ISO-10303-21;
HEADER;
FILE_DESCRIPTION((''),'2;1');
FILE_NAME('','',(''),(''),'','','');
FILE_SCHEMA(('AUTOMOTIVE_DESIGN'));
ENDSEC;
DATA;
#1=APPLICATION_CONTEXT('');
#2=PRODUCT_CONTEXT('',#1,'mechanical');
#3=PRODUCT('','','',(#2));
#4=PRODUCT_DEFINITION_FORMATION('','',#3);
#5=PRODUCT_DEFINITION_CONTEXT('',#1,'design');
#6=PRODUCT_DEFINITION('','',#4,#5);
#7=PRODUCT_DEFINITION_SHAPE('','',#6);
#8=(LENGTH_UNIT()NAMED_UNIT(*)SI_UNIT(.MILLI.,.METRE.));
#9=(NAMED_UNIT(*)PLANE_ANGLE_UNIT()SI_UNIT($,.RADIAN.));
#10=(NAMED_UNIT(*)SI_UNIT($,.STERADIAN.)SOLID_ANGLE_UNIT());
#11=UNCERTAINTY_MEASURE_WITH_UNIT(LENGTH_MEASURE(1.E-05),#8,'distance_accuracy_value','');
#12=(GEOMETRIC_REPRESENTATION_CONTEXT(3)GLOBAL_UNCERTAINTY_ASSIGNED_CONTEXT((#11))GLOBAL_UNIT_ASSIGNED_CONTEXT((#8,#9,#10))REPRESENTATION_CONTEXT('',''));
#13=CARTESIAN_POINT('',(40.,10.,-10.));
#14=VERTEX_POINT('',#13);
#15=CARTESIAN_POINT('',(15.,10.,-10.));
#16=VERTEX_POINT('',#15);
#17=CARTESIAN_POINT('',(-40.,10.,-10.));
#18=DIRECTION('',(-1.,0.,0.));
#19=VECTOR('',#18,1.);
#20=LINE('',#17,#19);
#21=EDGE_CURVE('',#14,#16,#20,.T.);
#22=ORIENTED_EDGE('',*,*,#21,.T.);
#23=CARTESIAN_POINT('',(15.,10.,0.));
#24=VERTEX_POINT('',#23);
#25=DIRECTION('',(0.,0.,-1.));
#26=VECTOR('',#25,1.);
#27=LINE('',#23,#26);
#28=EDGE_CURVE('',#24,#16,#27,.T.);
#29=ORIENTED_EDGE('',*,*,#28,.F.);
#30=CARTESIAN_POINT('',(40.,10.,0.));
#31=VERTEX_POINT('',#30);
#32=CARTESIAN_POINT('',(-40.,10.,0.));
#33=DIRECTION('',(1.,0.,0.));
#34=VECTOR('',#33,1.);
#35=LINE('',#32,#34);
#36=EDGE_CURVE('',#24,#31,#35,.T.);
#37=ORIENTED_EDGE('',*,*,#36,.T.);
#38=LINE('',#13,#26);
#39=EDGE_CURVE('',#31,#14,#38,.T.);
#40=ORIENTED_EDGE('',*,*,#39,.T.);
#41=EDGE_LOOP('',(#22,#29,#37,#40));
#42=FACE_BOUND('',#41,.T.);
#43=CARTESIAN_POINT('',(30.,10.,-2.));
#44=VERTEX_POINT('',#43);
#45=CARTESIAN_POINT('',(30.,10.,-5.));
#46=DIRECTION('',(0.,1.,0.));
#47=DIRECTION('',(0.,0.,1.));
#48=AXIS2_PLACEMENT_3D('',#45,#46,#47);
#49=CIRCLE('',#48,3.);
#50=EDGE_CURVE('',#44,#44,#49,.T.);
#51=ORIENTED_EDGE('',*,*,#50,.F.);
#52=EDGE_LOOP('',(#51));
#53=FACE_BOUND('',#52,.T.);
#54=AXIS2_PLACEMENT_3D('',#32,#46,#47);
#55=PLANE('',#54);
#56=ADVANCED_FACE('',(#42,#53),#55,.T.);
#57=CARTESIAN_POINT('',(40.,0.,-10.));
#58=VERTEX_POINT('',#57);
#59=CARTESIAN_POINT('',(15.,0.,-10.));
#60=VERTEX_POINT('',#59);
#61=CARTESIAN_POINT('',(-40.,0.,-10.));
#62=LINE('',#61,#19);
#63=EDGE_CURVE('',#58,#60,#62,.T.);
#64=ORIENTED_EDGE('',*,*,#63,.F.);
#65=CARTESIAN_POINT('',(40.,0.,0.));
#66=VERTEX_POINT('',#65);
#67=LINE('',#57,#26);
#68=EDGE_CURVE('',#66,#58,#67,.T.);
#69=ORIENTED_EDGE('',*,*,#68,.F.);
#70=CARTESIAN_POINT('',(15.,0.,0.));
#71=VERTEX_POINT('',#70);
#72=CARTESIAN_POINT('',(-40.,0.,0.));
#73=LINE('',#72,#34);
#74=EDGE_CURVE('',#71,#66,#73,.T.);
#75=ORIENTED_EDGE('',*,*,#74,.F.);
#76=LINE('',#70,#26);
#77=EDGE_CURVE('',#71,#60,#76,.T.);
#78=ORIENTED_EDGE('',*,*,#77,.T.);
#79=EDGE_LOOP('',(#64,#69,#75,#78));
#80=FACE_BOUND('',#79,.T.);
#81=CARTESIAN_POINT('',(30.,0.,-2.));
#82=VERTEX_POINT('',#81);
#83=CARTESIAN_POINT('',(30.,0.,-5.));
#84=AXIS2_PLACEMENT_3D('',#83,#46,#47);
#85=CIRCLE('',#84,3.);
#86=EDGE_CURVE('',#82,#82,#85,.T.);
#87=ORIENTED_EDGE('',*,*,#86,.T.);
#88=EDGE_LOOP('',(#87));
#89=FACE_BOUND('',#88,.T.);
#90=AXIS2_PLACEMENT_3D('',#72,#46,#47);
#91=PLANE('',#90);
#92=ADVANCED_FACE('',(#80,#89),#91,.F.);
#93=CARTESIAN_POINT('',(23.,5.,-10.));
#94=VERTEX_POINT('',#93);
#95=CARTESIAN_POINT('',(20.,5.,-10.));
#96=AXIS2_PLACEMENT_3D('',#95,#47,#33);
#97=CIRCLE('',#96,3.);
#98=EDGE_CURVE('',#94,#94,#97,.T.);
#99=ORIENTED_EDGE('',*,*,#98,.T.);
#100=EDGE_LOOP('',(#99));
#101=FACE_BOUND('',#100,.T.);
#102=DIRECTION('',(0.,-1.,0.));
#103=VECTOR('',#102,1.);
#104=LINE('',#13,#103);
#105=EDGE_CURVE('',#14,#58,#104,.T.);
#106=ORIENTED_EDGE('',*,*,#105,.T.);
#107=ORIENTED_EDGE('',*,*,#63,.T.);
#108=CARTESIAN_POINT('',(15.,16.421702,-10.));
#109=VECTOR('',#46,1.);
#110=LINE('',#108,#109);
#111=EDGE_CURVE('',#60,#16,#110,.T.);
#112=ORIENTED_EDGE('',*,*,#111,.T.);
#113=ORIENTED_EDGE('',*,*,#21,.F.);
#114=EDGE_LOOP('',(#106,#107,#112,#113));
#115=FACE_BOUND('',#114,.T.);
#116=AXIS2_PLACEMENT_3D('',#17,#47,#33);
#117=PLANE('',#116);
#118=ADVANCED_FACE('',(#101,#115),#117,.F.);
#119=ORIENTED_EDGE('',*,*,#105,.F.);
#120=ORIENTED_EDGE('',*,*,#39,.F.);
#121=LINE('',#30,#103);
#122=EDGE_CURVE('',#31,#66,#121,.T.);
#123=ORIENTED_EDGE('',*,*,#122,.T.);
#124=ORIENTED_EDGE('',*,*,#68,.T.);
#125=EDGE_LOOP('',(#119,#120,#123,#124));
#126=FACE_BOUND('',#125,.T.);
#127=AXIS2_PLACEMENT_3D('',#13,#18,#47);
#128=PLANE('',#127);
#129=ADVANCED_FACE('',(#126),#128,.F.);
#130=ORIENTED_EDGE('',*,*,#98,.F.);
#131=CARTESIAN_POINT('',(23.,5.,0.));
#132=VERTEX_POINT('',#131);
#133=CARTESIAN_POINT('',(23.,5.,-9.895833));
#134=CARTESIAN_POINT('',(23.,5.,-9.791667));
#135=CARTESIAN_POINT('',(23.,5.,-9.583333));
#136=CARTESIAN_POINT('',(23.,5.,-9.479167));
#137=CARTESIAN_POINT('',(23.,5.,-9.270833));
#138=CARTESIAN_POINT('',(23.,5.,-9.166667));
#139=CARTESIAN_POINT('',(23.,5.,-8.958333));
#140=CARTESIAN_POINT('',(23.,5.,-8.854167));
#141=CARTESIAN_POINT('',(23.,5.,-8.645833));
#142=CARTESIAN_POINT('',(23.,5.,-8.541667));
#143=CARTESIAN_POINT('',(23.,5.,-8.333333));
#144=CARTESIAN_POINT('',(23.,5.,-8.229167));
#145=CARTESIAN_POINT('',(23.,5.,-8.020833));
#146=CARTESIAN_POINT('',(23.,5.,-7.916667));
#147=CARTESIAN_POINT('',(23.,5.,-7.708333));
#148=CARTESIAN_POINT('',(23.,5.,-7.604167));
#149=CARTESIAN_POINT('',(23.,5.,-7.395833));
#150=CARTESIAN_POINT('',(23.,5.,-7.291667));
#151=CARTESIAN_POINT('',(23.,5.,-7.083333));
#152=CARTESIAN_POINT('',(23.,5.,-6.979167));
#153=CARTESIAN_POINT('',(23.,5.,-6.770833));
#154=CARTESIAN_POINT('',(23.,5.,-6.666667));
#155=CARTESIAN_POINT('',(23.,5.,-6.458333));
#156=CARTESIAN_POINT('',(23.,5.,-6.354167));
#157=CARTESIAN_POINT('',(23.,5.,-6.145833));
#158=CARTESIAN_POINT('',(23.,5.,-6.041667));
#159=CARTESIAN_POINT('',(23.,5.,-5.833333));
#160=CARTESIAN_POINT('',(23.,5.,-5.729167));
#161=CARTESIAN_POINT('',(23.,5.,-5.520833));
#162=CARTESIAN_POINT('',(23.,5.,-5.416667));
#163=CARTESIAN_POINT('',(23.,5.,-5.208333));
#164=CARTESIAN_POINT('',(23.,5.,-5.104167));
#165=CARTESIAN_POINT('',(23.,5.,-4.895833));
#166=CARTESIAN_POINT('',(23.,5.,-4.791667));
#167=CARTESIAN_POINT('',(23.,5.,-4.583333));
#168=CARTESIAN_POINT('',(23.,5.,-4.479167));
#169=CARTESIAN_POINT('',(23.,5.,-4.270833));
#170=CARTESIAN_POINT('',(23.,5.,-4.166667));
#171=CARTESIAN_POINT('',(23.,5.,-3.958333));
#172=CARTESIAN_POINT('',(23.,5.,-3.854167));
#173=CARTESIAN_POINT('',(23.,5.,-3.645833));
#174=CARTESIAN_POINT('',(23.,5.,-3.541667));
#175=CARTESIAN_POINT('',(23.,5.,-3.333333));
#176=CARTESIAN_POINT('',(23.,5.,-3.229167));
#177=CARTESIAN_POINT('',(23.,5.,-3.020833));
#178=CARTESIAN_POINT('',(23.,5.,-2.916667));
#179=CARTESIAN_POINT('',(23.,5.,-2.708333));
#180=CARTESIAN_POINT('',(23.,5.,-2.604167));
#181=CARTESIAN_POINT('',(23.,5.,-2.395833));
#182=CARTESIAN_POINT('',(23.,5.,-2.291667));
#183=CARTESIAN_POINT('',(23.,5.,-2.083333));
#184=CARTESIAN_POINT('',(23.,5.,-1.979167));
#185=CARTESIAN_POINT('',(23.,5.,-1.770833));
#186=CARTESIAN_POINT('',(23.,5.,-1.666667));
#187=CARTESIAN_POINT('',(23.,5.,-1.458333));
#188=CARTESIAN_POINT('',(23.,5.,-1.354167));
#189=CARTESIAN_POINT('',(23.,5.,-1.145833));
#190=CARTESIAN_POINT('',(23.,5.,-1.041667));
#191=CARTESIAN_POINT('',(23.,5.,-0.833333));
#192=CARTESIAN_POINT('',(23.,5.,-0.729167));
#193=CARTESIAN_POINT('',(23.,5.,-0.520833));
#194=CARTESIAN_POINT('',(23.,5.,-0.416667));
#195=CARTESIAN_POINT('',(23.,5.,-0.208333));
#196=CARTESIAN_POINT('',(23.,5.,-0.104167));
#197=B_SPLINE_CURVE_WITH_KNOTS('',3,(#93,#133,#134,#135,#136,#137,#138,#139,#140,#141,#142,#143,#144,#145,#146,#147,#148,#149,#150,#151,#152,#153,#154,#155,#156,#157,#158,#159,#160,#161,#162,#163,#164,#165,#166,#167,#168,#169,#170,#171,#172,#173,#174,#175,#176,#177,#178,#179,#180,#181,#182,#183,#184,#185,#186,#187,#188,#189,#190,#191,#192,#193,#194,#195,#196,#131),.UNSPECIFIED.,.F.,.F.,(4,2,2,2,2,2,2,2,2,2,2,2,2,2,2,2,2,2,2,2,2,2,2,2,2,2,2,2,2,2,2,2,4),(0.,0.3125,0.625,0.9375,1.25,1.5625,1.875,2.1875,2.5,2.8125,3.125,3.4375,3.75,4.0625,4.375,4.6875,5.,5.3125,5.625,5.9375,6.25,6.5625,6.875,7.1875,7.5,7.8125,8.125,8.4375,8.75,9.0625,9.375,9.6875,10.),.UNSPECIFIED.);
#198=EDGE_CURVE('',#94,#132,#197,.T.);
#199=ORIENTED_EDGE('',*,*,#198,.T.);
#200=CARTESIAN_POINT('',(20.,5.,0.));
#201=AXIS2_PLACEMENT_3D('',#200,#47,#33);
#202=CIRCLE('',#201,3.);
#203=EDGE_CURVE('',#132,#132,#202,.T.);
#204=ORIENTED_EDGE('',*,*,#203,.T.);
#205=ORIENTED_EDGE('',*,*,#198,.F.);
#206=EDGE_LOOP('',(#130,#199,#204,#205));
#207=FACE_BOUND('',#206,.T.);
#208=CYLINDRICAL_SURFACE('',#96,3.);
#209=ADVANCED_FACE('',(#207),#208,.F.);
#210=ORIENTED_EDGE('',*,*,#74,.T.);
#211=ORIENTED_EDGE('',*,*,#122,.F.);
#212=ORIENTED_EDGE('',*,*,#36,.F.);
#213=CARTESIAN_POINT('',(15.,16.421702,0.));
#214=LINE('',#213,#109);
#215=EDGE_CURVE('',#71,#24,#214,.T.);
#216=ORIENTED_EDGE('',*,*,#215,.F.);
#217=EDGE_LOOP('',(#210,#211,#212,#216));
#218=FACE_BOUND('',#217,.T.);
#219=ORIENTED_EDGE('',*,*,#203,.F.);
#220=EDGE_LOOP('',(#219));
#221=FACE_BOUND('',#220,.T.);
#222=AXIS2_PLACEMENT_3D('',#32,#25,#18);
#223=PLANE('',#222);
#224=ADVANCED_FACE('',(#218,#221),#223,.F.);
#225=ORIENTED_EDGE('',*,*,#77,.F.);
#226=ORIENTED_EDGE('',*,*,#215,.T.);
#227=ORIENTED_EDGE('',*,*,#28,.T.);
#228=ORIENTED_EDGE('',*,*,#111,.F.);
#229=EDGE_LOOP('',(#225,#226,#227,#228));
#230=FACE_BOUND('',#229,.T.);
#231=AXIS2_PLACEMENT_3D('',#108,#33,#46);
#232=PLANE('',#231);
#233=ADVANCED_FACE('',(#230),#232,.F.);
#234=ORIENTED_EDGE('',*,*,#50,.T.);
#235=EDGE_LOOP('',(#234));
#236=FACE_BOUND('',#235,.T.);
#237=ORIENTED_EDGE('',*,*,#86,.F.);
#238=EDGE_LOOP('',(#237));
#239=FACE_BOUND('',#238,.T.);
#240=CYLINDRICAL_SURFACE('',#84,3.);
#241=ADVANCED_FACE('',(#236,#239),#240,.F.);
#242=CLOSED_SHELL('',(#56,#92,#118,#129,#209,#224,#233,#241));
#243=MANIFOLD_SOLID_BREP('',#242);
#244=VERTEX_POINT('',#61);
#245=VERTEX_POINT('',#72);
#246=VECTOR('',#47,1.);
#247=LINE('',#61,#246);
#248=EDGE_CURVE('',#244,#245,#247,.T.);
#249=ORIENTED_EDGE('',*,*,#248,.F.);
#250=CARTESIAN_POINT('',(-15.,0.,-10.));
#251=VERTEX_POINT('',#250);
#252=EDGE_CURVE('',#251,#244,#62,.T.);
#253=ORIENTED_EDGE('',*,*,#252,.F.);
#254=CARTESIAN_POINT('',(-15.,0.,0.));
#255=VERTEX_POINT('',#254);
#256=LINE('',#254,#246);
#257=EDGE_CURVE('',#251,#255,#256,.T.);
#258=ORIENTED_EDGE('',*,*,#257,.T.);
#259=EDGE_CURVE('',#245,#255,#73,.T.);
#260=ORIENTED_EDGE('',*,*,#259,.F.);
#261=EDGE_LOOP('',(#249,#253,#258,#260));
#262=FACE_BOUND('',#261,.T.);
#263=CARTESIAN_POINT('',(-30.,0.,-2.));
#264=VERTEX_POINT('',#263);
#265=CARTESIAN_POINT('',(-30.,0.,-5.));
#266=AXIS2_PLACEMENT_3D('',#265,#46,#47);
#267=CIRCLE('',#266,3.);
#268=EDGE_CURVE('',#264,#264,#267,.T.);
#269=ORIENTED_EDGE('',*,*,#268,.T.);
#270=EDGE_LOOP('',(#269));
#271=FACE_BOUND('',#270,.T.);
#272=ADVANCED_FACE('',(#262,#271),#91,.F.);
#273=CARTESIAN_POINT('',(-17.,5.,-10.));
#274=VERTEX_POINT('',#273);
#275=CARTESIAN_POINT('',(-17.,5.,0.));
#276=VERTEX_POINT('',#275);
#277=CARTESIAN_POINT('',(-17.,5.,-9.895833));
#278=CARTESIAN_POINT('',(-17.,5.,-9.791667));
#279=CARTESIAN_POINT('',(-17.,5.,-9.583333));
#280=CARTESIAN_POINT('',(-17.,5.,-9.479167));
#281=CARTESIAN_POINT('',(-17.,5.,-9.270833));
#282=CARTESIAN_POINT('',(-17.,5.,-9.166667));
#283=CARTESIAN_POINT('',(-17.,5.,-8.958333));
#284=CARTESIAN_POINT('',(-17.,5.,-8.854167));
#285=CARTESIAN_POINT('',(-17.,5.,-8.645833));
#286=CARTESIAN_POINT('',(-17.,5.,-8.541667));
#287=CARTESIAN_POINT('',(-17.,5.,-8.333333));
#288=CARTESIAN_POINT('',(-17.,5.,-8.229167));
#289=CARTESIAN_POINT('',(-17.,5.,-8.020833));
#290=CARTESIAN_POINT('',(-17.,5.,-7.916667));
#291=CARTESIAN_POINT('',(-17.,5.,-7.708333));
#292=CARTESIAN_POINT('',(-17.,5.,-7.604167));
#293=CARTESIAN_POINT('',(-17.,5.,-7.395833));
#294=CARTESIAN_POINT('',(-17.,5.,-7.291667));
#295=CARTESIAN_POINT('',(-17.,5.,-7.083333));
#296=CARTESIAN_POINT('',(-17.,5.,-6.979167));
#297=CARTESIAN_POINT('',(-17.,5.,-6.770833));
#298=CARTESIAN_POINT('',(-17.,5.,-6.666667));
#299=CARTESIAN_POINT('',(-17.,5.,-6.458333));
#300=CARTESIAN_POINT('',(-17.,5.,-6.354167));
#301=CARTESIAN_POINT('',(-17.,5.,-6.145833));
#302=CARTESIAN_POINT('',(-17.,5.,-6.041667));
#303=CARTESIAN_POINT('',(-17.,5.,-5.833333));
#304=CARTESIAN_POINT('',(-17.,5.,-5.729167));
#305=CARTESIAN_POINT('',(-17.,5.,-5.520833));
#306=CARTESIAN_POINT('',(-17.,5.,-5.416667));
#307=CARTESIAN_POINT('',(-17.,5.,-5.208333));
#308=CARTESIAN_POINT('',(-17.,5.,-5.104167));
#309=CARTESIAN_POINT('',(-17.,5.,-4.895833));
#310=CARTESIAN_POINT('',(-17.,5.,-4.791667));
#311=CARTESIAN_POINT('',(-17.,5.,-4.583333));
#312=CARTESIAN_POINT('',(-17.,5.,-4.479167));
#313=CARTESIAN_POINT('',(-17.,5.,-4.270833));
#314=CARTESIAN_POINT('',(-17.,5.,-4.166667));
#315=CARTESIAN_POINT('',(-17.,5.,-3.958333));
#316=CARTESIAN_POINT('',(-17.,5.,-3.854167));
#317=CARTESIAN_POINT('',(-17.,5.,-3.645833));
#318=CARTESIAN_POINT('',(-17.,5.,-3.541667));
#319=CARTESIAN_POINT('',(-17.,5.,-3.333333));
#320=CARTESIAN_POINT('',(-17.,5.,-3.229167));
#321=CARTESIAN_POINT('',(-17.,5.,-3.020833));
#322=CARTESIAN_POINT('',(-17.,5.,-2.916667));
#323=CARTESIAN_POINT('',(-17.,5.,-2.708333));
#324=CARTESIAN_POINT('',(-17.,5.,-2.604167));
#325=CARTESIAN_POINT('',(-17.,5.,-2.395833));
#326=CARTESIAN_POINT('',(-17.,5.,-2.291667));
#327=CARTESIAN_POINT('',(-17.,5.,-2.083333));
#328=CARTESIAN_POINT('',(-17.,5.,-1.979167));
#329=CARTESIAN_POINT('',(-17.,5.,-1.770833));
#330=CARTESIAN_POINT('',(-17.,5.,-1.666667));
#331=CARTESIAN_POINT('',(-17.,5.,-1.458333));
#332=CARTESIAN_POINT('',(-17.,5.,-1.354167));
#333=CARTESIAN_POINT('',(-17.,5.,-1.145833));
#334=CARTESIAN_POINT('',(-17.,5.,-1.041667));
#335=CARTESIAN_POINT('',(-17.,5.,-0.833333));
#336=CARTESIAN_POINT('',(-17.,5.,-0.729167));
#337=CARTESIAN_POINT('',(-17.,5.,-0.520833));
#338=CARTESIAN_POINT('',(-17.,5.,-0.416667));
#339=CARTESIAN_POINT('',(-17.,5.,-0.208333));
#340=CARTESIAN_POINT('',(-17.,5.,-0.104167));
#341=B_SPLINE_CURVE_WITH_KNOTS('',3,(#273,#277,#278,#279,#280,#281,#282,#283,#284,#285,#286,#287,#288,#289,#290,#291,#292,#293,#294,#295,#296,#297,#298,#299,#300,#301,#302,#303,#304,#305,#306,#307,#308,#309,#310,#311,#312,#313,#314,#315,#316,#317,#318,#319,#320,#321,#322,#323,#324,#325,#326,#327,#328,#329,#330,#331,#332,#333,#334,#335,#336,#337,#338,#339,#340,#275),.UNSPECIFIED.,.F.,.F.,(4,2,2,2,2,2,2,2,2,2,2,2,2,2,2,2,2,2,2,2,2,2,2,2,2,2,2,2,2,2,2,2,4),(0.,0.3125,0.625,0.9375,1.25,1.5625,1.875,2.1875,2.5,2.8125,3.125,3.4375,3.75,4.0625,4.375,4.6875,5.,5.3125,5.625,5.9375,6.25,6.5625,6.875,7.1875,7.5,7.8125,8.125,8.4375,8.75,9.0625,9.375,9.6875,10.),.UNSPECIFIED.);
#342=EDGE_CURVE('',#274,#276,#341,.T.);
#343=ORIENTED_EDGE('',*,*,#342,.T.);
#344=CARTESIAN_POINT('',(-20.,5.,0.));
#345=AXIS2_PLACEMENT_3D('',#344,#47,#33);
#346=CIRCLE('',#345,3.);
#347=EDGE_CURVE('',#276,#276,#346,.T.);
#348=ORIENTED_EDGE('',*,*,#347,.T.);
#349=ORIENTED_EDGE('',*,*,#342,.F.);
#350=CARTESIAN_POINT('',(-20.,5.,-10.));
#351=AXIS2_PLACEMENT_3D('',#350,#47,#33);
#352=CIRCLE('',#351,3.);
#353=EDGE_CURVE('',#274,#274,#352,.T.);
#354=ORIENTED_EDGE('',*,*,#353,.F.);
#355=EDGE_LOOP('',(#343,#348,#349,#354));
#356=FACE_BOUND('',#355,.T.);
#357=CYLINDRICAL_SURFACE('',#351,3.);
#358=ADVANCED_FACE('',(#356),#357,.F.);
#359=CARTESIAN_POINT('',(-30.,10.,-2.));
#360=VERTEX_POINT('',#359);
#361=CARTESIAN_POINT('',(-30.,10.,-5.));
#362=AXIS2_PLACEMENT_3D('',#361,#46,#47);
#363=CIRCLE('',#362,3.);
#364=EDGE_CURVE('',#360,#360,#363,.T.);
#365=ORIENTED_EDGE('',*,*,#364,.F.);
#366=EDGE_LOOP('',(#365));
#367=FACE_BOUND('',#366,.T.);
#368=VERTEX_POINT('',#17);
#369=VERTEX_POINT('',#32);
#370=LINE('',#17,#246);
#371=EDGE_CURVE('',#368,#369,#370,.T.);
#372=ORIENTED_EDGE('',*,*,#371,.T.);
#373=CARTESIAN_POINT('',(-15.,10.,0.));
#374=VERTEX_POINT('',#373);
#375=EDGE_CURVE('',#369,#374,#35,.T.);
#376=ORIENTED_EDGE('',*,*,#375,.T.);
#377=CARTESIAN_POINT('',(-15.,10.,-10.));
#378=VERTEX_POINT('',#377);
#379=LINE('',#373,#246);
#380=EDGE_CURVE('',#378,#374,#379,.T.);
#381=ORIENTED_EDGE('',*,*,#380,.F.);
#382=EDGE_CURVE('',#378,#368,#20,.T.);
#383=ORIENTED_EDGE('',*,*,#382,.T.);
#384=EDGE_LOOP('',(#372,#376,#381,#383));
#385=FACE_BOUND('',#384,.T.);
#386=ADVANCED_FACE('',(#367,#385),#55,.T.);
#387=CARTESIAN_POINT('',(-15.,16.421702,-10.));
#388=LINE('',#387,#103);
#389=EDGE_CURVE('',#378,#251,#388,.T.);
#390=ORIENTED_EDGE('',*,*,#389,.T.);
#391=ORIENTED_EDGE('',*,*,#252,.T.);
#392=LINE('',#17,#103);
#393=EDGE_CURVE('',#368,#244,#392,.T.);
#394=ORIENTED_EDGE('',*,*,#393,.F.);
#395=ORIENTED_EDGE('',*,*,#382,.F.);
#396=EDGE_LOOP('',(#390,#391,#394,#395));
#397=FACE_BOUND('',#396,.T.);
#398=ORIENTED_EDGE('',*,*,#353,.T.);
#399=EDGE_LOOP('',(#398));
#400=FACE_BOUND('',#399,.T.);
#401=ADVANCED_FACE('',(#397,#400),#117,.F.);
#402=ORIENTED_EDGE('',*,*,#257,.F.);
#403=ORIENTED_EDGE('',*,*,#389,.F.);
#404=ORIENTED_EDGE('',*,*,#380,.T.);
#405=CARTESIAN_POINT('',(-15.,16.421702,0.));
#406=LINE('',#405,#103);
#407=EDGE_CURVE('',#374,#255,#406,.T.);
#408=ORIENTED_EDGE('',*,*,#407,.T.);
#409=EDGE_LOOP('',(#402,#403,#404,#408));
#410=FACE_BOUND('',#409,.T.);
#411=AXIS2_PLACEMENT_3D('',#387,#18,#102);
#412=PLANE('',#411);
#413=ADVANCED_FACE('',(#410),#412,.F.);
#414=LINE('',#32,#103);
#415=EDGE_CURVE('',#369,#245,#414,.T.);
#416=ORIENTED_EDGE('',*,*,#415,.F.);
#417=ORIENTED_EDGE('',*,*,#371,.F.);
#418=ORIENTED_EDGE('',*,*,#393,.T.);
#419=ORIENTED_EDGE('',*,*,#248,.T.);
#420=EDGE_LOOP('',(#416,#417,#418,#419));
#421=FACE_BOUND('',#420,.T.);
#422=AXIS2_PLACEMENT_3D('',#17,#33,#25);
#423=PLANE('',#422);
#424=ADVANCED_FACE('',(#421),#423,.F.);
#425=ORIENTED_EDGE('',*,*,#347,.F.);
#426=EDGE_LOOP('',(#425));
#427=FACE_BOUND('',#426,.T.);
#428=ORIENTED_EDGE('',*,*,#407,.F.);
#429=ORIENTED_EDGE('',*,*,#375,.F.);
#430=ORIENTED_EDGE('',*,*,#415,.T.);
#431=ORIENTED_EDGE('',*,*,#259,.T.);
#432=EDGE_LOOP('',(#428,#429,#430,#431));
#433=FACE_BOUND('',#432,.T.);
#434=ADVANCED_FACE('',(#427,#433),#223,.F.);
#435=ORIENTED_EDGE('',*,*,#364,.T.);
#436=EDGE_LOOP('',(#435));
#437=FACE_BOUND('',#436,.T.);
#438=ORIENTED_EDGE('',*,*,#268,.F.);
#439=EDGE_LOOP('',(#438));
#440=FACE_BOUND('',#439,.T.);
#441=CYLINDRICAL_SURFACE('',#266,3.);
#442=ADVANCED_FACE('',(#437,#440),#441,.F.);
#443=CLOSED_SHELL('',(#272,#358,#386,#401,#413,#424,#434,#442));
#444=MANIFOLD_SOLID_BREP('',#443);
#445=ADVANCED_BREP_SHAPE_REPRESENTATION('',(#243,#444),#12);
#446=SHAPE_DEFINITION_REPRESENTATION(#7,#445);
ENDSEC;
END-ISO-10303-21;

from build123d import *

# Parameters (mm, degrees)
ESQUISSE1_W      = 80
ESQUISSE1_H      = 10
EXTRUSION1_DEPTH = 10
ESQUISSE2_R      = 3
EXTRUSION2_DEPTH = 43.426406871
ESQUISSE3_R      = 3
EXTRUSION3_DEPTH = 43.426406871
ESQUISSE4_W      = 30
ESQUISSE4_H      = 26.006337845
EXTRUSION4_DEPTH = 43.426406871


with BuildPart() as part:
    # Esquisse1 → Extrusion1 (new body)
    with BuildSketch(Plane(origin=(0, 0, 0), x_dir=(1, 0, 0), z_dir=(0, 1, 0))):
        with Locations((0, 5)):
            Rectangle(ESQUISSE1_W, ESQUISSE1_H)
    extrude(amount=EXTRUSION1_DEPTH)

    # Esquisse2 → Extrusion2 (cut, through all)
    with BuildSketch(Plane.XY):
        with Locations((20, 5)):
            Circle(ESQUISSE2_R)
        with Locations((-20, 5)):
            Circle(ESQUISSE2_R)
    extrude(amount=-EXTRUSION2_DEPTH, mode=Mode.SUBTRACT)

    # Esquisse3 → Extrusion3 (cut, through all)
    with BuildSketch(Plane(origin=(0, 10, 0), x_dir=(1, 0, 0), z_dir=(0, 1, 0))):
        with Locations(Location((30, 5, 0), (0, 0, 270))):
            Circle(ESQUISSE3_R)
        with Locations(Location((-30, 5, 0), (0, 0, 270))):
            Circle(ESQUISSE3_R)
    extrude(amount=-EXTRUSION3_DEPTH, mode=Mode.SUBTRACT)

    # Esquisse4 → Extrusion4 (cut, through all)
    with BuildSketch(Plane.XY):
        with Locations((0, 3.418533509)):
            Rectangle(ESQUISSE4_W, ESQUISSE4_H)
    extrude(amount=-EXTRUSION4_DEPTH, mode=Mode.SUBTRACT)


with BuildPart() as extrusion4_piece_1:
    # of the separate pieces the step leaves, piece 1, a body of its own (extrusion4_pieces)
    add(part.part.solids().sort_by_distance((15, 0, -10))[0])


with BuildPart() as extrusion4_piece_2:
    # of the separate pieces the step leaves, piece 2, a body of its own (extrusion4_pieces)
    add(part.part.solids().sort_by_distance((-40, 0, -10))[0])


solid = Compound([extrusion4_piece_1.part, extrusion4_piece_2.part])
